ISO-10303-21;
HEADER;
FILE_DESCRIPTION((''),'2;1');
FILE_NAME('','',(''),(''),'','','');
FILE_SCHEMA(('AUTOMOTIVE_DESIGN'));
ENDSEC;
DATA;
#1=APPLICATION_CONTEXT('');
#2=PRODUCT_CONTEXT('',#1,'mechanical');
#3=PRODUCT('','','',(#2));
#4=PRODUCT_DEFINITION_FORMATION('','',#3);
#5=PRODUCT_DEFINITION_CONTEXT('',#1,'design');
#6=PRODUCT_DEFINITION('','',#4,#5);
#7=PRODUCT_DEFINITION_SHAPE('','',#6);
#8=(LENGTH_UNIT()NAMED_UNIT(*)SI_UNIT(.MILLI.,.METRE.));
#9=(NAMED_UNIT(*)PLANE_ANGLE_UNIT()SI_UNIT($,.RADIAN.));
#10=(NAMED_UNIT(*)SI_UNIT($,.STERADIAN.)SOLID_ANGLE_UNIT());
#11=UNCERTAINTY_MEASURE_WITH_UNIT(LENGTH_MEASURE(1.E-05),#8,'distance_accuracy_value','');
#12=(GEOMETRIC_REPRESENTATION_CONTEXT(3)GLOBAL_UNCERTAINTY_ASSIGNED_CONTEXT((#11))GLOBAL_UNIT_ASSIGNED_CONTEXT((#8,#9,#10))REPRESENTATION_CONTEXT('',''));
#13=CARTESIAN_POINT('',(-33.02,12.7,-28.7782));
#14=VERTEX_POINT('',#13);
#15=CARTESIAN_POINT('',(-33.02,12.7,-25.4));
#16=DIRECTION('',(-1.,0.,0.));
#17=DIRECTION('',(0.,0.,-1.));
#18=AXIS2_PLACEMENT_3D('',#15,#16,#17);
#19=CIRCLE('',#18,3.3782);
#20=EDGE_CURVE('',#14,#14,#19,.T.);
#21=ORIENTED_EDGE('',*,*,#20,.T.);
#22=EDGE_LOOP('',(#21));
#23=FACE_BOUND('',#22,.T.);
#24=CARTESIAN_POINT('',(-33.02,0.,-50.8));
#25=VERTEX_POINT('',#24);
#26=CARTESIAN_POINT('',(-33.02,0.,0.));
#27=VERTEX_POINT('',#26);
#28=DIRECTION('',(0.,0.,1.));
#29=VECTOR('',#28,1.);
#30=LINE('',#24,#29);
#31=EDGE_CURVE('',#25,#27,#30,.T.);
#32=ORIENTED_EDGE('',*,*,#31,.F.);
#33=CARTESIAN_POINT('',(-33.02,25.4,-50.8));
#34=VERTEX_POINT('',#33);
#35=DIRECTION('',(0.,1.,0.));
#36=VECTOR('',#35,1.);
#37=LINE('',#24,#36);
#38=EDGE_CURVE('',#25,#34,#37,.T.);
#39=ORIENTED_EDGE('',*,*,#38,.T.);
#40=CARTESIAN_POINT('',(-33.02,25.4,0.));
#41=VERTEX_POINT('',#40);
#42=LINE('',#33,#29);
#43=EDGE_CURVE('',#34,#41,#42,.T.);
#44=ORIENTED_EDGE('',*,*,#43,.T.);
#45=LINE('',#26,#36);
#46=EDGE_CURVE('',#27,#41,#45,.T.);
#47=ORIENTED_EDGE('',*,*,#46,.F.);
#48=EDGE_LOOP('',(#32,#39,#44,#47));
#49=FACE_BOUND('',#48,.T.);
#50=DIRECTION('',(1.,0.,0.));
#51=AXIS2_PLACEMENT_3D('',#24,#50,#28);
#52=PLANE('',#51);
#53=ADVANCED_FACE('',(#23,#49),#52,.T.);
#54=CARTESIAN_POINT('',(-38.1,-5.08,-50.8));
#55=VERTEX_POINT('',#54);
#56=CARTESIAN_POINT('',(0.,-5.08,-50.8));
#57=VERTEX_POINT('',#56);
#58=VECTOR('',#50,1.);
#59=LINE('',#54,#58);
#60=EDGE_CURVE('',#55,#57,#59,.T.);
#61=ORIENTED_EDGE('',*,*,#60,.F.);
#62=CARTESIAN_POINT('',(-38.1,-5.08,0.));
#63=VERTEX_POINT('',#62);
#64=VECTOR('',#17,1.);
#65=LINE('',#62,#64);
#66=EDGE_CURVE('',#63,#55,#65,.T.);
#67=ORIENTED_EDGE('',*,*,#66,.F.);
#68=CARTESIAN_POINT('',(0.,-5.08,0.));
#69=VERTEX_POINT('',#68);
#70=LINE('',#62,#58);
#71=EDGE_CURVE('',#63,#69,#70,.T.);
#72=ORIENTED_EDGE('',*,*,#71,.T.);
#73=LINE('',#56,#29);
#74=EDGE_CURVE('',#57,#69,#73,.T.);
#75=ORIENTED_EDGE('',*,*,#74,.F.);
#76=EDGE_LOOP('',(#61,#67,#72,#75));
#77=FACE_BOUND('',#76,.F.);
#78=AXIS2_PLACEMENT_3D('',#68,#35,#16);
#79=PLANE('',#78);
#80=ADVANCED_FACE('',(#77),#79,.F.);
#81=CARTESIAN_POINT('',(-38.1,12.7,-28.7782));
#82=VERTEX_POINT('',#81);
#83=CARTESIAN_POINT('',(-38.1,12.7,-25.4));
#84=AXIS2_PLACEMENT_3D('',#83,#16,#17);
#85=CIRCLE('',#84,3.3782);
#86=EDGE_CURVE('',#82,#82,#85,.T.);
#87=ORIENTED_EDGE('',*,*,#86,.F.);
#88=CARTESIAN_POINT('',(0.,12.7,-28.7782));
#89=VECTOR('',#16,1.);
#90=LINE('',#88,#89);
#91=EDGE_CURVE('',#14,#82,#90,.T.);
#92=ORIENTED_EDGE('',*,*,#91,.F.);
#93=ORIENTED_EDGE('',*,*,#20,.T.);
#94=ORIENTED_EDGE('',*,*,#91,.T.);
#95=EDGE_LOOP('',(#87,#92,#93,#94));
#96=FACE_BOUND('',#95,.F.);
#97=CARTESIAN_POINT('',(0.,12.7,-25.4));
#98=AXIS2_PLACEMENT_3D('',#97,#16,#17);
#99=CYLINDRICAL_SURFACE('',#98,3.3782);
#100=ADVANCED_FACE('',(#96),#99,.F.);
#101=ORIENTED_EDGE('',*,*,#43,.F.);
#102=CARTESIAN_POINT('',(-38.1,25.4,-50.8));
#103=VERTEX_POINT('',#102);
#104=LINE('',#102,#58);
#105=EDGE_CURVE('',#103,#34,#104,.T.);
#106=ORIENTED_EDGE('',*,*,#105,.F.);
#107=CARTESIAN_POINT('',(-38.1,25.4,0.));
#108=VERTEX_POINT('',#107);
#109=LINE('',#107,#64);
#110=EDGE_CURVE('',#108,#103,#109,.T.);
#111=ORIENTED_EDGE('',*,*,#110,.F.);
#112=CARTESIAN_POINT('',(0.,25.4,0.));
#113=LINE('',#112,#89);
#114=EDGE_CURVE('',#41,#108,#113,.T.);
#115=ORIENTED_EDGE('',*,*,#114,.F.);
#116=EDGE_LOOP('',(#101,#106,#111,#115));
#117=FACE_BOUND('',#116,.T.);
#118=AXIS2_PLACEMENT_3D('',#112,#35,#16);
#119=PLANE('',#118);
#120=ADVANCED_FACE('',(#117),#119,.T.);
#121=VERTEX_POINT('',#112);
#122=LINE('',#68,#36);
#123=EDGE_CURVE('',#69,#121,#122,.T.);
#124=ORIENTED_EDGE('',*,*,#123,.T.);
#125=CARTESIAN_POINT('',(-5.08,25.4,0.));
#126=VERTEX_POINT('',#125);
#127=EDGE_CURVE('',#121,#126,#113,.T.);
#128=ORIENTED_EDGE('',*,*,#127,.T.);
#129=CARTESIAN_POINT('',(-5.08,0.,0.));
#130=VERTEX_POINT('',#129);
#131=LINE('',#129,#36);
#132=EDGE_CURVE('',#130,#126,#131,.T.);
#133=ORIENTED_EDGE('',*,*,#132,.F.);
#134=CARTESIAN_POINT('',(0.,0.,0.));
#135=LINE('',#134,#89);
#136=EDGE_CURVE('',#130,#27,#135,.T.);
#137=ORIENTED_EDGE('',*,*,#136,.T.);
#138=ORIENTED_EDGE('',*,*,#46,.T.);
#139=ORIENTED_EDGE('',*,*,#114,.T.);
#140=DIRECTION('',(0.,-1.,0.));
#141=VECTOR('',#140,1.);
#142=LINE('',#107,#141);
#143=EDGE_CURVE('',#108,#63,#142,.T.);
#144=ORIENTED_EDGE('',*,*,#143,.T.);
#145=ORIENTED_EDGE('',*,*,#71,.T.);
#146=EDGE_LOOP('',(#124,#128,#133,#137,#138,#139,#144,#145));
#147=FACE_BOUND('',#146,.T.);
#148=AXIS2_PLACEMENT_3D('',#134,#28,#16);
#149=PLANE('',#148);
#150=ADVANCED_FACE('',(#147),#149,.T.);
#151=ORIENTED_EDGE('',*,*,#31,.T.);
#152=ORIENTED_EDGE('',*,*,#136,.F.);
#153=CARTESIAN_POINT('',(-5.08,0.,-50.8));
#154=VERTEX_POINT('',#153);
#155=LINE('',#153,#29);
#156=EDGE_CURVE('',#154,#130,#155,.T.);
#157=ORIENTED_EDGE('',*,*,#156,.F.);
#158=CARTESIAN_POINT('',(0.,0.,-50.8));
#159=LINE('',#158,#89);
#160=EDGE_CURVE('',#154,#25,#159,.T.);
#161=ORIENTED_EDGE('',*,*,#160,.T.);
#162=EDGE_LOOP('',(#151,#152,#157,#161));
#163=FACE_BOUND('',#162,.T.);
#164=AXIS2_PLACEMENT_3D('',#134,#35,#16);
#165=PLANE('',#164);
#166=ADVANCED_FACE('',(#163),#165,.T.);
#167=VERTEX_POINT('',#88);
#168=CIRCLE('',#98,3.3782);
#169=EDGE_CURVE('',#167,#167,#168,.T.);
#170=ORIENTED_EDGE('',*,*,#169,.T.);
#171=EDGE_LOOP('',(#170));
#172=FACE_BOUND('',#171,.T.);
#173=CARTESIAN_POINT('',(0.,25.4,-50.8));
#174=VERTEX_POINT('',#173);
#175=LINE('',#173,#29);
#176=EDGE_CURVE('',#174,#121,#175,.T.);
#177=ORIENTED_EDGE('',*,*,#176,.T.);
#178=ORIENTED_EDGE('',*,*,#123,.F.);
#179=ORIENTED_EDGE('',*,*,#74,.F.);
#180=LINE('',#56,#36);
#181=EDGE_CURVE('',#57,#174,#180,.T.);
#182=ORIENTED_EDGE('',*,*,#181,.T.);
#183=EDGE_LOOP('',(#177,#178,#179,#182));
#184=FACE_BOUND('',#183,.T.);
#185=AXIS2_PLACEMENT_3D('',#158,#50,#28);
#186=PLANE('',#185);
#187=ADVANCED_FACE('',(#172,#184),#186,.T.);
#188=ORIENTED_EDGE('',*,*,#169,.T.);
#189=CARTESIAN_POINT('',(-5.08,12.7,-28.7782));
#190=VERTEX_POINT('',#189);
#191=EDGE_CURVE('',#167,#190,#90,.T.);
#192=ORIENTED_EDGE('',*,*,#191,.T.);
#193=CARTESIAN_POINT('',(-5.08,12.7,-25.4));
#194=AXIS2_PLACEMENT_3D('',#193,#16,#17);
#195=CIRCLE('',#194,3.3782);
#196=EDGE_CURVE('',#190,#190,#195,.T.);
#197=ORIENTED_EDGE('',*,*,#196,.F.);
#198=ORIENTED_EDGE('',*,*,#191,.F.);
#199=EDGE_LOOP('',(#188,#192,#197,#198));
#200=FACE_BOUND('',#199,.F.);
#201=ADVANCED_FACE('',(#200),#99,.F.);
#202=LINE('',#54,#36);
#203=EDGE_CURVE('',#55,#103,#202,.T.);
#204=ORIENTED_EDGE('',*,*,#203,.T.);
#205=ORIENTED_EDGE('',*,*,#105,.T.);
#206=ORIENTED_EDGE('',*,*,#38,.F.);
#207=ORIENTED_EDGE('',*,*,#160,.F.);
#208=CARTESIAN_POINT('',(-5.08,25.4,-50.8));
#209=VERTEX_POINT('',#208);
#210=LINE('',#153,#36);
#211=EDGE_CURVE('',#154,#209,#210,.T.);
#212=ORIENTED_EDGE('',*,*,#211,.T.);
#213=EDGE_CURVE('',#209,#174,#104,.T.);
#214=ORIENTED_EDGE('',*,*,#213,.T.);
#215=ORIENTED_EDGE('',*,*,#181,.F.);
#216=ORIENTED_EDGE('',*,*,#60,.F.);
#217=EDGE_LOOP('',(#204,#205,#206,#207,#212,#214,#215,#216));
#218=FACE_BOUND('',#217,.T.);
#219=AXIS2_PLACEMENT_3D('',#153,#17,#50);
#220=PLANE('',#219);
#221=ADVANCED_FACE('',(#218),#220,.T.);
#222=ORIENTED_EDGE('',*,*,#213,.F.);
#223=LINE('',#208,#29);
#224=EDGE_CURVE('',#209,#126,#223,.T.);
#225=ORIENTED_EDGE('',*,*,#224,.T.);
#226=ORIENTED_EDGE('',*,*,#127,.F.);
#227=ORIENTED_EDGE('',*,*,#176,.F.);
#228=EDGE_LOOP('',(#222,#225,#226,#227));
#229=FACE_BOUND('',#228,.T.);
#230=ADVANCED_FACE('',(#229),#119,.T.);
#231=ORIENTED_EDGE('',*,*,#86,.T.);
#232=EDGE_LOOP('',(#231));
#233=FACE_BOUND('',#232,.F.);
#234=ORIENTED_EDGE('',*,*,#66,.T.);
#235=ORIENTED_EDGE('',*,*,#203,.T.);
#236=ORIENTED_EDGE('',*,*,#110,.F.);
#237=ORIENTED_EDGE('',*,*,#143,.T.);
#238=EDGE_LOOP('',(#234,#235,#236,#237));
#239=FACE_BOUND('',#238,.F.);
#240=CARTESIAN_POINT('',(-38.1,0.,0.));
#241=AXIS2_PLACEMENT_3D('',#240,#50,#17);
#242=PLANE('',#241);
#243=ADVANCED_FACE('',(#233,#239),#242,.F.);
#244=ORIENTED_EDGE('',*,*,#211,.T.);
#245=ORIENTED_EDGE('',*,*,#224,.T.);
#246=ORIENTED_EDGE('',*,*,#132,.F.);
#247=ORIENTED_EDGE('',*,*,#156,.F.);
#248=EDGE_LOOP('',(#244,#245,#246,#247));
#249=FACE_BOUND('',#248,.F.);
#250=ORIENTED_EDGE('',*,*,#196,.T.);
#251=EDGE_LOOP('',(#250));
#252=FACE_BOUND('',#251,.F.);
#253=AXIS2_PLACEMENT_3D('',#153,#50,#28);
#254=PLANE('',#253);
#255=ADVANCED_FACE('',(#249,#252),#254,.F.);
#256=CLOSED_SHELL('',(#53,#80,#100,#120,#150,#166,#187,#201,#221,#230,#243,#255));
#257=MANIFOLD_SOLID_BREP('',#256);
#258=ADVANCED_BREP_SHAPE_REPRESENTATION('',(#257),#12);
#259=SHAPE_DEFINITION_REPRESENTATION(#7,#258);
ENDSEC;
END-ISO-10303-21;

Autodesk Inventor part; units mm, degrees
ref_plane "YZ Plane" through (0, 0, 0) normal (1, 0, 0) x (0, 1, 0)
ref_plane "XZ Plane" through (0, 0, 0) normal (0, 1, 0) x (-1, 0, 0)
ref_plane "XY Plane" through (0, 0, 0) normal (0, 0, 1) x (1, 0, 0)
sketch "Sketch1" plane through (0, 0, 0) normal (0, 1, 0) x (-1, 0, 0)
  line L0 (0, 0) -> (38.1, 0)
  line L1 (38.1, 0) -> (38.1, -50.8)
  line L2 (38.1, -50.8) -> (0, -50.8)
  line L3 (0, -50.8) -> (0, 0)
  line L4 (38.1, -50.8) -> (33.02, -50.8)
  line L5 (33.02, -50.8) -> (33.02, 0)
  line L6 (33.02, 0) -> (38.1, 0)
  line L7 (38.1, 0) -> (38.1, -50.8)
  line L8 (0, -50.8) -> (5.08, -50.8)
  line L9 (5.08, -50.8) -> (5.08, 0)
  line L10 (5.08, 0) -> (0, 0)
  line L11 (0, 0) -> (0, -50.8)
  dimension "d0" = 38.1
  dimension "d1" = 50.8
  dimension "d2" = 5.08
  dimension "d3" = 5.08
extrude "Extrusion1" add sketch "Sketch1" along normal blind 25.4 contours L0 L9 L2 L3 | L0 L1 L2 L5
extrude "Extrusion2" add sketch "Sketch1" against normal blind 5.08
sketch "Sketch2" plane through (0, 25.4, 0) normal (1, 0, 0) x (0, 0, -1)
  line L0 (50.8, 0) -> (0, 0) projected
  line L1 (25.4, 0) -> (25.4, -12.7)
  point P0 (0, -25.4)
  dimension "d8" = 12.7
hole "Hole1" at (0, 12.7, -25.4) direction (-1, 0, 0) diameter 6.7564 end through all clearance for "Socket Head Cap Screw" size "1/4" standard "Ansi Unified Screw Threads"
properties part number "Clip for 1 in 8020"
